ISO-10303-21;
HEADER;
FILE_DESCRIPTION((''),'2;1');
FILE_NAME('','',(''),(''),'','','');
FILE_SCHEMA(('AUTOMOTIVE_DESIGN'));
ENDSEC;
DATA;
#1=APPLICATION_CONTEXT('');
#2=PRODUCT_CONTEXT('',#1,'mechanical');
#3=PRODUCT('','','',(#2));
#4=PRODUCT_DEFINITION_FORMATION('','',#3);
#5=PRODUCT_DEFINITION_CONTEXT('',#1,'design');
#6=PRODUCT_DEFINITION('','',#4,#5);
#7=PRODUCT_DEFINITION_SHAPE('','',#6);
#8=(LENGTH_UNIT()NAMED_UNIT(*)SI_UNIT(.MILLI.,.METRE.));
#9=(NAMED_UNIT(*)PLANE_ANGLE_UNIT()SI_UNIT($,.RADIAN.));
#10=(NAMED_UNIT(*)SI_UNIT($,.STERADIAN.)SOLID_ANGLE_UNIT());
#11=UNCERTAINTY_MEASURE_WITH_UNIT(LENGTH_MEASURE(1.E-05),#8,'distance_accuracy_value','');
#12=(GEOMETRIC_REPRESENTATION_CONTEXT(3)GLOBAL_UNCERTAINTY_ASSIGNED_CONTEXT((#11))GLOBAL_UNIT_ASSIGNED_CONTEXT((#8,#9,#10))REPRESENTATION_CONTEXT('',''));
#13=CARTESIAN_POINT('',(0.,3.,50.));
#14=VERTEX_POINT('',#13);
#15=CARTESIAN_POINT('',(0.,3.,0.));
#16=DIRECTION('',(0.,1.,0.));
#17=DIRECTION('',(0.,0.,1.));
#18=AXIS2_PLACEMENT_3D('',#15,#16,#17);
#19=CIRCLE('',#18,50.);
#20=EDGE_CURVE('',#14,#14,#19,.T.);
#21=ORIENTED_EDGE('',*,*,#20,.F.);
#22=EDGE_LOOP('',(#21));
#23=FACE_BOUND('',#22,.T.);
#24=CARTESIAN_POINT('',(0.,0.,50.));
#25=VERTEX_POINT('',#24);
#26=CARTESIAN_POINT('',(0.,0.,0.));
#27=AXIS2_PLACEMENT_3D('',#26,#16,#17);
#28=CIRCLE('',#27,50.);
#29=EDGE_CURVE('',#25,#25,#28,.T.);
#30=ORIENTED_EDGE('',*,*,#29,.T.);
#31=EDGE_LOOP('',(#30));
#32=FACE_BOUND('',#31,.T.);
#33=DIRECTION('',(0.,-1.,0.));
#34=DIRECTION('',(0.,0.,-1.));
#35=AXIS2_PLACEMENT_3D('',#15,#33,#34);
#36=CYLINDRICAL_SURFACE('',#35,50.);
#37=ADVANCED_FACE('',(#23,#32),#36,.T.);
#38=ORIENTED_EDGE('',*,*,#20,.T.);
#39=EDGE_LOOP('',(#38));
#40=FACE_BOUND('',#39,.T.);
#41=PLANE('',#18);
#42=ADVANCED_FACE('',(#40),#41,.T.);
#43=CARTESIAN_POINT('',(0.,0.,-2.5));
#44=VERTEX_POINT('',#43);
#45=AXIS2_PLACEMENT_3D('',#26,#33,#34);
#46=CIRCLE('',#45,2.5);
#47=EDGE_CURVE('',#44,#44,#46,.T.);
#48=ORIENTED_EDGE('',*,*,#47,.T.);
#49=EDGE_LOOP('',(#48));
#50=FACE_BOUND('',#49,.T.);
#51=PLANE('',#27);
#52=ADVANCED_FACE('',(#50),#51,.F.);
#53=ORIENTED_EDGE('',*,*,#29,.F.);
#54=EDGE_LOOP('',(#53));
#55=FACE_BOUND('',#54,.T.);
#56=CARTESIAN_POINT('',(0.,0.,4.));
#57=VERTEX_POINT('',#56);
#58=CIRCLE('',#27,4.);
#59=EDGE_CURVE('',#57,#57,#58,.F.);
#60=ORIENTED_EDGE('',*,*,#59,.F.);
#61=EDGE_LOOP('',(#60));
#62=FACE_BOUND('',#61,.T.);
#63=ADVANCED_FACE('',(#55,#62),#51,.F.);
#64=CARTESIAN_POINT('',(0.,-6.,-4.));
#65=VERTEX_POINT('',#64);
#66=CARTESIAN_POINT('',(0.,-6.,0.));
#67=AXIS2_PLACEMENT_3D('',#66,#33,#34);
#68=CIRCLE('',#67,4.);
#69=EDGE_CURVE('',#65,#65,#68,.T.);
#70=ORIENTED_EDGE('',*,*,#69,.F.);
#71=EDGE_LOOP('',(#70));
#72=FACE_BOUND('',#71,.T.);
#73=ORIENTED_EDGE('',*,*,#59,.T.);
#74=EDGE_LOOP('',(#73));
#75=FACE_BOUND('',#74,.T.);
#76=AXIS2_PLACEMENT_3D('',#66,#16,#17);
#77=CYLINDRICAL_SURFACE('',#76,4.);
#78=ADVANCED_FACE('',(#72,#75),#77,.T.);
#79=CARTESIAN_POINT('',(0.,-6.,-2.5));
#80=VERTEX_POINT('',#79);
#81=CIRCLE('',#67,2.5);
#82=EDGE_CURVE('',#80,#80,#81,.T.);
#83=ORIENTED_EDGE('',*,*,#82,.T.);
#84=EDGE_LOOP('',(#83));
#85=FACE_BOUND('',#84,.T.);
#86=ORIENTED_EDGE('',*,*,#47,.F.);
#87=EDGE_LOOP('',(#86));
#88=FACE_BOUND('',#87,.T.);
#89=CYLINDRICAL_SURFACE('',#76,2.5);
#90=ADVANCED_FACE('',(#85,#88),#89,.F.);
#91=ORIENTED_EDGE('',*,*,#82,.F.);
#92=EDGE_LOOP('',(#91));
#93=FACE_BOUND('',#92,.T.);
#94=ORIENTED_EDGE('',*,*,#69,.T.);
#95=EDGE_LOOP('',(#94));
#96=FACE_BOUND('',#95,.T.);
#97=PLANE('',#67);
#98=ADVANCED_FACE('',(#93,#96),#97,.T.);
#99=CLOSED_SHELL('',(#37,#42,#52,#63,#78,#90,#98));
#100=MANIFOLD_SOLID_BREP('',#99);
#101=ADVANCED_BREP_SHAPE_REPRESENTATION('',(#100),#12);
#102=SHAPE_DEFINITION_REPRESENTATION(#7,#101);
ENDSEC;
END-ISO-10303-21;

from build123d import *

# Parameters (mm, degrees)
SKETCH1_R           = 50
BOSS_EXTRUDE1_DEPTH = 3
SKETCH2_R           = 4
SKETCH2_R_2         = 2.5
BOSS_EXTRUDE2_DEPTH = 6


with BuildPart() as part:
    # Sketch1 → Boss-Extrude1 (new body)
    with BuildSketch(Plane(origin=(0, 0, 0), x_dir=(1, 0, 0), z_dir=(0, 1, 0))):
        with Locations(Location((0, 0, 0), (0, 0, 270))):
            Circle(SKETCH1_R)
    extrude(amount=BOSS_EXTRUDE1_DEPTH)

    # Sketch2 → Boss-Extrude2 (add)
    with BuildSketch(Plane.XZ):
        with Locations(Location((0, 0, 0), (0, 0, 90))):
            Circle(SKETCH2_R)
        with Locations(Location((0, 0, 0), (0, 0, 270))):
            Circle(SKETCH2_R_2, mode=Mode.SUBTRACT)
    extrude(amount=BOSS_EXTRUDE2_DEPTH)


solid = part.part
